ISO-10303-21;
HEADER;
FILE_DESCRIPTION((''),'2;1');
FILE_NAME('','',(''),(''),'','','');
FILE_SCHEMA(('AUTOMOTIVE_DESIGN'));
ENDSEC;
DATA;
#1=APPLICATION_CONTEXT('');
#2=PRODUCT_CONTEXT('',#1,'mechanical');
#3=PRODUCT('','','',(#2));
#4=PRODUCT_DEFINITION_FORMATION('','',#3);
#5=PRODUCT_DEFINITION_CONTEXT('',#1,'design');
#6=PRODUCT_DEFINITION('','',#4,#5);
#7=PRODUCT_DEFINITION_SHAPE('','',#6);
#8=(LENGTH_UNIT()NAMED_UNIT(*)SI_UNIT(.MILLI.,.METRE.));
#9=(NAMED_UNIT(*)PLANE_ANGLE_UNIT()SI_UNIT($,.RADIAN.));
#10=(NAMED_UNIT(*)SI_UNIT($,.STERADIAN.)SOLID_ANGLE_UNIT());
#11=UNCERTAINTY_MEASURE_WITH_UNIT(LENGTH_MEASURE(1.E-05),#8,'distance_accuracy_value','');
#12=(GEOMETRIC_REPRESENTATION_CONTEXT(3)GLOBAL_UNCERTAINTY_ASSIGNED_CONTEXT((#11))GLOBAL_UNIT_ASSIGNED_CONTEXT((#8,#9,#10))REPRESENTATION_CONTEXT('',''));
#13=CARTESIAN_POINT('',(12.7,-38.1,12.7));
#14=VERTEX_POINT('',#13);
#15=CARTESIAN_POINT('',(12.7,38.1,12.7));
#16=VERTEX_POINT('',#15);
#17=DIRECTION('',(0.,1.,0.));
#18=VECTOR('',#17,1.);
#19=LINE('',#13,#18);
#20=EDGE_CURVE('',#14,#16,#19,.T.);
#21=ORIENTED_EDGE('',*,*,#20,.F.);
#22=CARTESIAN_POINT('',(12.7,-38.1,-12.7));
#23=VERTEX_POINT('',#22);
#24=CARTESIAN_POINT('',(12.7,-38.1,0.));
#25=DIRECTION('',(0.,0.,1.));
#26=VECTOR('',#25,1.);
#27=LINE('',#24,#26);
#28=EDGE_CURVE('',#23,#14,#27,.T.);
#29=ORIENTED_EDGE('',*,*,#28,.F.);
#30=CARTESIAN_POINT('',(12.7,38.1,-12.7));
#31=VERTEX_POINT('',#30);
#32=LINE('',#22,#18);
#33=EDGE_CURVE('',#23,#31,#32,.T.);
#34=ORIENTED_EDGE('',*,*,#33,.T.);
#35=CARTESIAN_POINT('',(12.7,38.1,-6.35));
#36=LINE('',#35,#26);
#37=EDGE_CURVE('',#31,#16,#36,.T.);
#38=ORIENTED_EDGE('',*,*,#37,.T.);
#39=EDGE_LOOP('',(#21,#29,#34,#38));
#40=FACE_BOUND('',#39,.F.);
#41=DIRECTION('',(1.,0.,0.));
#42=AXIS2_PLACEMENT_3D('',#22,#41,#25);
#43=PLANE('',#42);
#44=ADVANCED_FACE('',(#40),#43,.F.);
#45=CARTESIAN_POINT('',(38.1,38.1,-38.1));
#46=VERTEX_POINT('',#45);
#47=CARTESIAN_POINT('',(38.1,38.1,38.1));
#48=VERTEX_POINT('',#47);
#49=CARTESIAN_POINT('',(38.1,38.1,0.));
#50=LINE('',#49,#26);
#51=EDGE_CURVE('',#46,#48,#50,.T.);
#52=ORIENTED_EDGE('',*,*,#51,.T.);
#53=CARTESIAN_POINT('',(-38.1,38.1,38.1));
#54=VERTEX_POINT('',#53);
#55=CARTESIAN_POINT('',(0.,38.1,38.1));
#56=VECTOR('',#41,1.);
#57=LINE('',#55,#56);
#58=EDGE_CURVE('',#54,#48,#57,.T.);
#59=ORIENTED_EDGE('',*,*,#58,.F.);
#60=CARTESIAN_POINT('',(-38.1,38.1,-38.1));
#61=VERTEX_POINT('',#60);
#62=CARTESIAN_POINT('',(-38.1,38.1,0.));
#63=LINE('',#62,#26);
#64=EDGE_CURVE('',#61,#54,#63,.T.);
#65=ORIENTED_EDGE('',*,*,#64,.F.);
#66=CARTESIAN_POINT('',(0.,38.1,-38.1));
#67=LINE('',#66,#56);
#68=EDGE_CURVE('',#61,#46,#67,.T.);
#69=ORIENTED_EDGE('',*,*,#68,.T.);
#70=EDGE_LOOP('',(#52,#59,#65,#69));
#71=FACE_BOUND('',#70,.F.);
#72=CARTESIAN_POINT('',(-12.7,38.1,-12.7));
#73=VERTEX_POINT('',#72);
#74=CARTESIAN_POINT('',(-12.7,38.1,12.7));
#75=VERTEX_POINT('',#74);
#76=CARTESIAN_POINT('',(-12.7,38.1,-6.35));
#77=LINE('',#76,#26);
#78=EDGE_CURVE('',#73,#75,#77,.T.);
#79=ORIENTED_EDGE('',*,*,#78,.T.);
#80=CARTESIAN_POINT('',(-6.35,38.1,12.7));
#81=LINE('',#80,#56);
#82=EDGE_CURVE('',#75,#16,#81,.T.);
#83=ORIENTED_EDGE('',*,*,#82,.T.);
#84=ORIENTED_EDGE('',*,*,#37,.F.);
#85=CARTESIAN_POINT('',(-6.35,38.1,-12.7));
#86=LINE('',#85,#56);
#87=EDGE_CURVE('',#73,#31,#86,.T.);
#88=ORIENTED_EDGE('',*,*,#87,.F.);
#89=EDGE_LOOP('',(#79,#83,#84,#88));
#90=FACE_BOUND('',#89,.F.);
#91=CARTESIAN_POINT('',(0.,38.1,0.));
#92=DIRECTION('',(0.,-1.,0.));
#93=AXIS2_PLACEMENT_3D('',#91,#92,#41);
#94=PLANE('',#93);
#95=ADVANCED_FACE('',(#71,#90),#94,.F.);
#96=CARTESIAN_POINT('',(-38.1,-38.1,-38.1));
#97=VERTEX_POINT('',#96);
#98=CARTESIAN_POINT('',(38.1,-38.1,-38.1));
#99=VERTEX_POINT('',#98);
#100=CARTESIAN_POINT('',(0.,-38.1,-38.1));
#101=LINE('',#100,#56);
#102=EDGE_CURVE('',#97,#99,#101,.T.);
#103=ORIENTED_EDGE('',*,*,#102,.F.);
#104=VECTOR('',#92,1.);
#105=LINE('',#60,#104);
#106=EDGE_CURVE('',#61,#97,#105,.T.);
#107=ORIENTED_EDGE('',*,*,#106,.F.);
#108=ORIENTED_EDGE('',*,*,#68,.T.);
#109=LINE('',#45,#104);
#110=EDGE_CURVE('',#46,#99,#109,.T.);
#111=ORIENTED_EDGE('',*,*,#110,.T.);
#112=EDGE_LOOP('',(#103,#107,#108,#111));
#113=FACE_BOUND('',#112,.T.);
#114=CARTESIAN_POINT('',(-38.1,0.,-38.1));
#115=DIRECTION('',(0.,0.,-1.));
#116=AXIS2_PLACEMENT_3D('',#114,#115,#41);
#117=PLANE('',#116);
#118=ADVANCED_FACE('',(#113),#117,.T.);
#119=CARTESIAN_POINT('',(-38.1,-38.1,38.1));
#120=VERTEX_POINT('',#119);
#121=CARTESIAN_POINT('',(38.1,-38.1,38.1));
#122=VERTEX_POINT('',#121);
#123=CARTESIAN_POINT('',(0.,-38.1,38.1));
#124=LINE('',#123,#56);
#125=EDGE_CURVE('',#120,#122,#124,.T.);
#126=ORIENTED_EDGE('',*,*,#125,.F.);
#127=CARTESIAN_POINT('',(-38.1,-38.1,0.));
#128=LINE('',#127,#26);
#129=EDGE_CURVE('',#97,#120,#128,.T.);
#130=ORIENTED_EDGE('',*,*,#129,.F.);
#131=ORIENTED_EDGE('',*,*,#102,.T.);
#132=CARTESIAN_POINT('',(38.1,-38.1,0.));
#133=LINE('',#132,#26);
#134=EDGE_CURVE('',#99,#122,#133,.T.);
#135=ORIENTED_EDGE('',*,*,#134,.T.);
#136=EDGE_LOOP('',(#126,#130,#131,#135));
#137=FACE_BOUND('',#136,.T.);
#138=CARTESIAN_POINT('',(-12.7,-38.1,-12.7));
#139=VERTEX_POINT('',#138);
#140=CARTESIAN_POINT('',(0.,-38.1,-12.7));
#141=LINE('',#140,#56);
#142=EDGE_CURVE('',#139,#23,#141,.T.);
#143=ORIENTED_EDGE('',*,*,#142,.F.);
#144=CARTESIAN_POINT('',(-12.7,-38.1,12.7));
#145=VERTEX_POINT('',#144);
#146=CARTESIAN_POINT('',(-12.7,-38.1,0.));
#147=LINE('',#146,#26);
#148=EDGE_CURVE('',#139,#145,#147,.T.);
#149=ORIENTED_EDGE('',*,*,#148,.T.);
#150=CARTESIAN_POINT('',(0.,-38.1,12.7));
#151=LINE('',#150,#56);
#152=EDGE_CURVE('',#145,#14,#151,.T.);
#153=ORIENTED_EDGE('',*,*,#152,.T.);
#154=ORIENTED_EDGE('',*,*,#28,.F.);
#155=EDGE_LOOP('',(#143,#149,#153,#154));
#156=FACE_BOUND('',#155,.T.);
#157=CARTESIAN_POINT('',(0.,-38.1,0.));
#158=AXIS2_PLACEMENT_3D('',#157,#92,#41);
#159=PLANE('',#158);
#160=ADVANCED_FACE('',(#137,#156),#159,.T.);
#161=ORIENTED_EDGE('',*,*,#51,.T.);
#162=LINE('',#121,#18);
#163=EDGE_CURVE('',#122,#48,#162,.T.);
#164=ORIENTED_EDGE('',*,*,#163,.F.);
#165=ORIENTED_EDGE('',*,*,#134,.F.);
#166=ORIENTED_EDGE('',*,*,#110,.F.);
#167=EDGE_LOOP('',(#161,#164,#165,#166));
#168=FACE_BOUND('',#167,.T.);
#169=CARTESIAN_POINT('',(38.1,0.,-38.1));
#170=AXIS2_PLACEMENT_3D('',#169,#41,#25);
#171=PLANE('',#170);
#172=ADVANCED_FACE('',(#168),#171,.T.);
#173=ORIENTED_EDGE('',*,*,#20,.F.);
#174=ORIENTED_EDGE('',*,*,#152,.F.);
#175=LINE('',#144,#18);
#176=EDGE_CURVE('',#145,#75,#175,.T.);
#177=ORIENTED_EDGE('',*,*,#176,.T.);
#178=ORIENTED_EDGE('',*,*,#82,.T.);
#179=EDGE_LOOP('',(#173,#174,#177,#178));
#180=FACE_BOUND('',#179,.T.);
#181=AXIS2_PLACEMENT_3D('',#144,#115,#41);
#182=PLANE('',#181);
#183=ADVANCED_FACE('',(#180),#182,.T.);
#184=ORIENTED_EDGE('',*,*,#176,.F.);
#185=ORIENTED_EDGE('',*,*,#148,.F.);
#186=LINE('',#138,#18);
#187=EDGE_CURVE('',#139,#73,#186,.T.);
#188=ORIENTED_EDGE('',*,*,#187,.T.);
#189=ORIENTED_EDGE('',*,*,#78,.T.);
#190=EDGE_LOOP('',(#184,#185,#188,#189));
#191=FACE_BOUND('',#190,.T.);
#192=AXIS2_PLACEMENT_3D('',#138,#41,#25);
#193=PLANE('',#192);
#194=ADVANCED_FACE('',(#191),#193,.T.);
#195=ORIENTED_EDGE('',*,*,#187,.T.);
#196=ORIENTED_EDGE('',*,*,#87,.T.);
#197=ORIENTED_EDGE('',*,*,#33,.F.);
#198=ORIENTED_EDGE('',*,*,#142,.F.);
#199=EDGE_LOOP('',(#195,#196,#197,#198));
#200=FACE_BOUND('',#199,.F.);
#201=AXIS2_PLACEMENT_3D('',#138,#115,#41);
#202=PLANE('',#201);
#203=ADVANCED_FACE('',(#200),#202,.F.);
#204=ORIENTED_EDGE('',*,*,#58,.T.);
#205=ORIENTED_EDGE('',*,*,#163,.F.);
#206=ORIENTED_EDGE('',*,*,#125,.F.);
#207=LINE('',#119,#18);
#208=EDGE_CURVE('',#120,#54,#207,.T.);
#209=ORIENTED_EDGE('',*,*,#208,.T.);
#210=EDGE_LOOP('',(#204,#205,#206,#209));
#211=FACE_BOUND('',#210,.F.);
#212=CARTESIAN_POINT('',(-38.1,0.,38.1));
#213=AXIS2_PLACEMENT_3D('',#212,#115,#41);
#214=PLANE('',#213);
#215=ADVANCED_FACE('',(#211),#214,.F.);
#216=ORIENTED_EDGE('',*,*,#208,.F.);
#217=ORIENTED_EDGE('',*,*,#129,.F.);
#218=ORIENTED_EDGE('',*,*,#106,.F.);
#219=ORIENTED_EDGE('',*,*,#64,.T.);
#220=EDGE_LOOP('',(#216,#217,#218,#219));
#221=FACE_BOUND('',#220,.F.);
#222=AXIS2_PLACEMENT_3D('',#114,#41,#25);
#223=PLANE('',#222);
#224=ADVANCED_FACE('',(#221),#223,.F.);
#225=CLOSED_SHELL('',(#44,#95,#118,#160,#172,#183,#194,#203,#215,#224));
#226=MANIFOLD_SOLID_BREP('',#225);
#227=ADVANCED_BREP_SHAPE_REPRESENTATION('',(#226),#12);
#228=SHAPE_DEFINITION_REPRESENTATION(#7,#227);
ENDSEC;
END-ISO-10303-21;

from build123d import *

# Parameters (mm, degrees)
F0_W     = 76.2
F0_H     = 76.2
F1_DEPTH = 38.1
F3_W     = 25.4
F3_H     = 25.4
F4_DEPTH = 76.201


with BuildPart() as f1:
    # F0 (on Front) → F1 (new body, symmetric)
    with BuildSketch(Plane.XZ):
        Rectangle(F0_W, F0_H)
    extrude(amount=F1_DEPTH, both=True)

    # F3 (on face) → F4 (cut, through all)
    with BuildSketch(Plane.XZ.offset(38.1)):
        Rectangle(F3_W, F3_H)
    extrude(amount=-F4_DEPTH, mode=Mode.SUBTRACT)


solid = f1.part
